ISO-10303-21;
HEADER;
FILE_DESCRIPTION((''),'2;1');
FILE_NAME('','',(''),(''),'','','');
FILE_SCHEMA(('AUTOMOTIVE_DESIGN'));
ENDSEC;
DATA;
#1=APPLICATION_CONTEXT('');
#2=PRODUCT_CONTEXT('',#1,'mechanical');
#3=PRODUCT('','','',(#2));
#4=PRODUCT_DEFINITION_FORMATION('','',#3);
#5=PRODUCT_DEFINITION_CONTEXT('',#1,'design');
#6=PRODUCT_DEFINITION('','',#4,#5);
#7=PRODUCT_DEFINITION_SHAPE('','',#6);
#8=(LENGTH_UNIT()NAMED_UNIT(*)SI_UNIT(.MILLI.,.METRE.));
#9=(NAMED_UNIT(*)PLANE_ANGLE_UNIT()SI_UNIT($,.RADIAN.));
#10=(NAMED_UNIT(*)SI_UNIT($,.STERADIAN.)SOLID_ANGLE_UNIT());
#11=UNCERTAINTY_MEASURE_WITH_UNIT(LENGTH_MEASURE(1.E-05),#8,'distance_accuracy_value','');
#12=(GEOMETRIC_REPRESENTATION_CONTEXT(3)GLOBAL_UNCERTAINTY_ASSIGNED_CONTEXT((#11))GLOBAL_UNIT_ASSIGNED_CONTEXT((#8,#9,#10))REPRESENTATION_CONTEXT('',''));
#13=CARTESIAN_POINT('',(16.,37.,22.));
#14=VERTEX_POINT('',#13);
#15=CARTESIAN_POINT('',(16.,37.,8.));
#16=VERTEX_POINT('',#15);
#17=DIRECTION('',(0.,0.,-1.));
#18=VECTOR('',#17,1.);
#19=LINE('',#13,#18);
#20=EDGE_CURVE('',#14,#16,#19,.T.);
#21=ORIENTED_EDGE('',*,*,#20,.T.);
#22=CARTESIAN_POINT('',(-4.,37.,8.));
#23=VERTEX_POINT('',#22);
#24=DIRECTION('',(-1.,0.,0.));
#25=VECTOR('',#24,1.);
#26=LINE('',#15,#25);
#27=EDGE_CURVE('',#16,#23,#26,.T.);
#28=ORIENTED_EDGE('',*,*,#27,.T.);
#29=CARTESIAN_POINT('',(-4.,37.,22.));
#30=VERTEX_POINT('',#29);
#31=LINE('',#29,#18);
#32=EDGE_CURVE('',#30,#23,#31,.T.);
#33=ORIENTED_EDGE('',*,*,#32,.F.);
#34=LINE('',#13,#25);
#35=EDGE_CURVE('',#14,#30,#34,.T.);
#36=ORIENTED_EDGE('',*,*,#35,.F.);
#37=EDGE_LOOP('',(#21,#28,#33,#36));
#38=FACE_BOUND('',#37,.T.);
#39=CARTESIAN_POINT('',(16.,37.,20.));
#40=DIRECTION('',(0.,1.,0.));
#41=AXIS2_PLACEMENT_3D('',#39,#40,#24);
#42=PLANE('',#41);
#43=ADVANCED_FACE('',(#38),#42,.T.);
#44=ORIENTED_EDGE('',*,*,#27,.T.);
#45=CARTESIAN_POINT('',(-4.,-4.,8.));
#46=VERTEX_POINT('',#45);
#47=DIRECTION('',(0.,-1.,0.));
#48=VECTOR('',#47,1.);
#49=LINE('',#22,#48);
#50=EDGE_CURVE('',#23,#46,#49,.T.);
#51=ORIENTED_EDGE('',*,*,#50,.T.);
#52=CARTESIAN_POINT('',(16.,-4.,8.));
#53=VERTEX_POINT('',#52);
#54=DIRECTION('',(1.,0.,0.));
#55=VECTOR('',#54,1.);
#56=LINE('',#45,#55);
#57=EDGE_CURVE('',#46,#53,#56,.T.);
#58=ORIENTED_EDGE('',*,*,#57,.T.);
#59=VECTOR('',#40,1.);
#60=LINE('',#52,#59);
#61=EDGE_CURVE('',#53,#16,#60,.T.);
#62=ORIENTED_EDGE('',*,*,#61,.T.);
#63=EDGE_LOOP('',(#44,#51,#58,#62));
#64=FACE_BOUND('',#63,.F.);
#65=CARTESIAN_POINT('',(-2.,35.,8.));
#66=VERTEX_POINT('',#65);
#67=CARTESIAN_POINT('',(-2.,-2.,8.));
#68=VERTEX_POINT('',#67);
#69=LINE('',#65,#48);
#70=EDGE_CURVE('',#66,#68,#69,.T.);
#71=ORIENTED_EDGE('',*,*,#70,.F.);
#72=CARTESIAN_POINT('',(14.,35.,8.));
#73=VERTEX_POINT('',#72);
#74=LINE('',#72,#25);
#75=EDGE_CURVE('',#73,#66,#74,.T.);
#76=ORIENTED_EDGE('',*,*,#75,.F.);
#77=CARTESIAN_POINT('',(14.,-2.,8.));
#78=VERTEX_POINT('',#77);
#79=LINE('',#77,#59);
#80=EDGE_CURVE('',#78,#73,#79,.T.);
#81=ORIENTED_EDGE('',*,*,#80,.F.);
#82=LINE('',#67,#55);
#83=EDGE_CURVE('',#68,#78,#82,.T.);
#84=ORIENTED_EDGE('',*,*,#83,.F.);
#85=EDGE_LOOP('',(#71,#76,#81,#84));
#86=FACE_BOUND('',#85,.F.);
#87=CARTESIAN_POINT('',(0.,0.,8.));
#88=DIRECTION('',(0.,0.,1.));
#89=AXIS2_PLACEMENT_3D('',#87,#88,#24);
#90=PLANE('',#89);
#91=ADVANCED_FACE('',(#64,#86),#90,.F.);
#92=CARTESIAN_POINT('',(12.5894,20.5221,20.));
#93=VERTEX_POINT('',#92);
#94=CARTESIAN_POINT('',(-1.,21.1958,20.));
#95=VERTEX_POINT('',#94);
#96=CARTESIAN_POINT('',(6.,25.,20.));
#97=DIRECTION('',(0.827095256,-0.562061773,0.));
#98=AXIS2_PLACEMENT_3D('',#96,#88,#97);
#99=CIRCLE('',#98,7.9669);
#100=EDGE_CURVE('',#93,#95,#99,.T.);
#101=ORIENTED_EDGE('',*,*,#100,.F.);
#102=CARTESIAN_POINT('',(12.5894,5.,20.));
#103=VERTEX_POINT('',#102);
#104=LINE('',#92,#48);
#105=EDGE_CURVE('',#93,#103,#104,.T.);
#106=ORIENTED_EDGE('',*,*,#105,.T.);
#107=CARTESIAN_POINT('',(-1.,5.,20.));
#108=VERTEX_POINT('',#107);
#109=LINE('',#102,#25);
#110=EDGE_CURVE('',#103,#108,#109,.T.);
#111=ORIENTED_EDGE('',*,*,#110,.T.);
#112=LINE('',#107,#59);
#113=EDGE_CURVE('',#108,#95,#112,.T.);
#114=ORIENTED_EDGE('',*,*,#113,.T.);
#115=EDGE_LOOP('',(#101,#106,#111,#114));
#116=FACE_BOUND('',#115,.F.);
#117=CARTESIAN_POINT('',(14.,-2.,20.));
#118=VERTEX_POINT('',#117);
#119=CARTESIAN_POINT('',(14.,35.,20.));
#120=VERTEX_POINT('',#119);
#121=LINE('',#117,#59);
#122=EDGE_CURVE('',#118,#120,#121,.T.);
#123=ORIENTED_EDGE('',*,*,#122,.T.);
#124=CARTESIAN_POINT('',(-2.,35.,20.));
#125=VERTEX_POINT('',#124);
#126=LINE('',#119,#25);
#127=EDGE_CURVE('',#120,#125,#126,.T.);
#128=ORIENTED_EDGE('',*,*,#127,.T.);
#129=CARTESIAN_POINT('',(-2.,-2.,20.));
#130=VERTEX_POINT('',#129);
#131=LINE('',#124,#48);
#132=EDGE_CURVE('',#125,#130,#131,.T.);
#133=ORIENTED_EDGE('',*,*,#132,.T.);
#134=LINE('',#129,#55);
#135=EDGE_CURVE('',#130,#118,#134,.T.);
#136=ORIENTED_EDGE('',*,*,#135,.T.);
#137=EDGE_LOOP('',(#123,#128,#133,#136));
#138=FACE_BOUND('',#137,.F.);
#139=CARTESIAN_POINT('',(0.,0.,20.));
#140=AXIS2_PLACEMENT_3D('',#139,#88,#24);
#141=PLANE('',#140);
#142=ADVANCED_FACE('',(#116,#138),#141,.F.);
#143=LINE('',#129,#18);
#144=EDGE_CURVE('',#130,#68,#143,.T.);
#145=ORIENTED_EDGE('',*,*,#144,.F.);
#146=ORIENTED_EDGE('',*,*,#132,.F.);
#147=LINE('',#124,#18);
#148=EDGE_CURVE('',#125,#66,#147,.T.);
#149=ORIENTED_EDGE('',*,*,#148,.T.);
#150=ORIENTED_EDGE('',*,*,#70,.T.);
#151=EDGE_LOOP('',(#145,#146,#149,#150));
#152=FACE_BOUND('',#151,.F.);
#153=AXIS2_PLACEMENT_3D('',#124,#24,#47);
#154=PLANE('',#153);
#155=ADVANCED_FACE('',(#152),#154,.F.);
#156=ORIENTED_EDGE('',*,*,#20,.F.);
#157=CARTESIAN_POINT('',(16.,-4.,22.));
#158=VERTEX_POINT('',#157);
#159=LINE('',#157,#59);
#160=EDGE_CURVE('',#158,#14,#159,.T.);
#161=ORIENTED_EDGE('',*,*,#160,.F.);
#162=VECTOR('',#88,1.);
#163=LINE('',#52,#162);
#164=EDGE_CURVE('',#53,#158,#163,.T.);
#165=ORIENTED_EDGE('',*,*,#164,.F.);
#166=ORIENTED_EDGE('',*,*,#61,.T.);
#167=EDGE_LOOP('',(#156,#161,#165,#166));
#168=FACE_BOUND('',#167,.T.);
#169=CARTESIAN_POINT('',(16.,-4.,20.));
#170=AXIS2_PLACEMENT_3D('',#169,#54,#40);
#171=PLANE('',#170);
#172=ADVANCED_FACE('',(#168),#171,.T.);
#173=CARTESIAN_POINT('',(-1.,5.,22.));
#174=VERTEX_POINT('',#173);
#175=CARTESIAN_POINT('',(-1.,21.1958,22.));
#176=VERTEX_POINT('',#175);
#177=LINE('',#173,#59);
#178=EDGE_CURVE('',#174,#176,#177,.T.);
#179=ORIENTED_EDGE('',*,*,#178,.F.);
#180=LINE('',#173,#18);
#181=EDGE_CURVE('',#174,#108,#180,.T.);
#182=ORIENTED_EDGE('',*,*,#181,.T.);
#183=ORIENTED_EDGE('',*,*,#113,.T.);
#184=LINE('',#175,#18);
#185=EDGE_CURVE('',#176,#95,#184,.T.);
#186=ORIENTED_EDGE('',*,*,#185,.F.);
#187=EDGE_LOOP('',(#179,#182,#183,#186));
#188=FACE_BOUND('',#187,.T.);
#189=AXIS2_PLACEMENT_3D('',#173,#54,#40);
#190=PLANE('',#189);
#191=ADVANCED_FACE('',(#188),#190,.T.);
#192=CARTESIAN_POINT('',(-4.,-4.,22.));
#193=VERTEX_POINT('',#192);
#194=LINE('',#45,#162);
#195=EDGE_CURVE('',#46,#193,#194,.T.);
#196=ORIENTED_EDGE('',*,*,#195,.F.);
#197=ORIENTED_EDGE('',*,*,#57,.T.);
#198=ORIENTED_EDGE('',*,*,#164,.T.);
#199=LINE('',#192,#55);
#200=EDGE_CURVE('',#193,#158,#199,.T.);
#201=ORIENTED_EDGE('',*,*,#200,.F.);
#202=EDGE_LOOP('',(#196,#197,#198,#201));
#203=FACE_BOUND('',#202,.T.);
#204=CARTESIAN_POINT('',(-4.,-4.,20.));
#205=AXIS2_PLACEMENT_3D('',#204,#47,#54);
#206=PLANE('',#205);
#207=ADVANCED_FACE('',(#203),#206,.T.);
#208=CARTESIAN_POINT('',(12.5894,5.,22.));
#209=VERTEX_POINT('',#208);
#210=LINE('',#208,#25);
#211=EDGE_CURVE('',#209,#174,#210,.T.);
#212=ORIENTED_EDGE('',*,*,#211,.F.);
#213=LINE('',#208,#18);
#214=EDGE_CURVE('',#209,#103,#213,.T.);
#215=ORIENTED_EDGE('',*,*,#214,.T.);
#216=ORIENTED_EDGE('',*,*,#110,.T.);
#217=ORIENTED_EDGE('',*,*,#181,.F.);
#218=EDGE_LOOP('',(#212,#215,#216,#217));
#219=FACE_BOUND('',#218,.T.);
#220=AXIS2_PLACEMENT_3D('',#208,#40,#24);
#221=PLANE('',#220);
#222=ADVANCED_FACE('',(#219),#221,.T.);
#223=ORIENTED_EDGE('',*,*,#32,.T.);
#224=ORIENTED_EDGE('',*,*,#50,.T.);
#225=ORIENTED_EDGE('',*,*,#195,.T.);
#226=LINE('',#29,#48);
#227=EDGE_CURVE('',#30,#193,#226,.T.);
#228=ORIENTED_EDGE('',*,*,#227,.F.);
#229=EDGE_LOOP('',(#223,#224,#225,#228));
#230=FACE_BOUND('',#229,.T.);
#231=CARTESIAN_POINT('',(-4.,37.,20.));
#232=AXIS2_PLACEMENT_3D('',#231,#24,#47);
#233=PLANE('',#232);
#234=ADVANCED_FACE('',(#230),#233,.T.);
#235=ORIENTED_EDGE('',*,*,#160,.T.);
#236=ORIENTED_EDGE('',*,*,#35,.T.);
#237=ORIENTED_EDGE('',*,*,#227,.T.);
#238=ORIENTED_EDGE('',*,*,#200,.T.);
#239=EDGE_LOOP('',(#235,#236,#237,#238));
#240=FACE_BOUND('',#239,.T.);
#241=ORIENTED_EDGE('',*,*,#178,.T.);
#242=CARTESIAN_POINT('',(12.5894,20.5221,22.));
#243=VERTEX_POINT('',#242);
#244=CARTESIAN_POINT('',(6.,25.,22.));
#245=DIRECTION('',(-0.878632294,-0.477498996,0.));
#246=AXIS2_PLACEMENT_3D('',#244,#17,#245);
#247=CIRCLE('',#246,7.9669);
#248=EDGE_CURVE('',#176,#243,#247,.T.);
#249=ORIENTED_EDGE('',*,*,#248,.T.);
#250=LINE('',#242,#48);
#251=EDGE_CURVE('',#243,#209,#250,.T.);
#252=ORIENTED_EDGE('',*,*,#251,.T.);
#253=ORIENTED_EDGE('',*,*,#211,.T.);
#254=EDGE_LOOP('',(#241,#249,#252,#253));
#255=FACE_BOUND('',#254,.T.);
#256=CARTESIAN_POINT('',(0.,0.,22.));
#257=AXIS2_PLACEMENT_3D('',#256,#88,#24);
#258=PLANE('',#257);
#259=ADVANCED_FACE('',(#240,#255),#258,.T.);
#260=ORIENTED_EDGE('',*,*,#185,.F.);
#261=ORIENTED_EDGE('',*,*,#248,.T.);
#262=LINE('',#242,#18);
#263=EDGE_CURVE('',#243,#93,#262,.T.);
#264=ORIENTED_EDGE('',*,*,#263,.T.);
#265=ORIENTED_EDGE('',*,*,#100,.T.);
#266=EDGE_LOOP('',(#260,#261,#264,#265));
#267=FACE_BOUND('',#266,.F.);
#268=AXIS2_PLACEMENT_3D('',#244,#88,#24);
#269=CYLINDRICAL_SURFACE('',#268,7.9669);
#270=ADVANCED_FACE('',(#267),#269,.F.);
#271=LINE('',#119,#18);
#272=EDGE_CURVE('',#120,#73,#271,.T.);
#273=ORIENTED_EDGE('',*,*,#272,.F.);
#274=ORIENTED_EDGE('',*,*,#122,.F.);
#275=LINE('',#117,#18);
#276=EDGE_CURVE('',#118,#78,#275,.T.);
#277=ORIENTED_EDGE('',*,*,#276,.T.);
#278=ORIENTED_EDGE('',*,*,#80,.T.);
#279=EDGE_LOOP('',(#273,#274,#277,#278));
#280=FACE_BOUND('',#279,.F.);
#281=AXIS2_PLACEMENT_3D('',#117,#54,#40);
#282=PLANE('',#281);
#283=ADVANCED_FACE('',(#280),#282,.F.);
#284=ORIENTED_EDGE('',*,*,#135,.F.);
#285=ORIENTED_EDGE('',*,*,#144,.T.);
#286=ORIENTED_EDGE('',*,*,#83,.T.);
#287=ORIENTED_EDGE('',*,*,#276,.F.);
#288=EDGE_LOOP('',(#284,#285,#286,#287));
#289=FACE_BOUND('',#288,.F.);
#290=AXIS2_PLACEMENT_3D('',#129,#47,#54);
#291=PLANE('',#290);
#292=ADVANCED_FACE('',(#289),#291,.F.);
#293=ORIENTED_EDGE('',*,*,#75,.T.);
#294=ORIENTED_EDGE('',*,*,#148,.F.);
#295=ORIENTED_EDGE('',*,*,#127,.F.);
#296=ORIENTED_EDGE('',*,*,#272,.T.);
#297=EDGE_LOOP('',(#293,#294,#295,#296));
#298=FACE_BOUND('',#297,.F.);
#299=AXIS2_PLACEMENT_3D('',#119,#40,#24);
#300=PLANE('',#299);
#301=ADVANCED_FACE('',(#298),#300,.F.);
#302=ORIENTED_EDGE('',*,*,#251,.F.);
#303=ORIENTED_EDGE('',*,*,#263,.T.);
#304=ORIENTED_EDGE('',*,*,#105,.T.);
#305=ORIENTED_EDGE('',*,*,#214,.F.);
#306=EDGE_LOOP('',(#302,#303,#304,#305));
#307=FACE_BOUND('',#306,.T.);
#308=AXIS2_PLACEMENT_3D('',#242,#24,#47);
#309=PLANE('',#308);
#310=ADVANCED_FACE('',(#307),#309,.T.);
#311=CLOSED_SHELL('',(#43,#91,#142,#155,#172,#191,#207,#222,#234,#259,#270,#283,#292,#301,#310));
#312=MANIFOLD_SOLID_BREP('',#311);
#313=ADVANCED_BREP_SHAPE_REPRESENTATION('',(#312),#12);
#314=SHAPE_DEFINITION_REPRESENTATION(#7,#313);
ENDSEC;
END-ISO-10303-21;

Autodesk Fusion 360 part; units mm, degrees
sketch "Sketch1" plane through (0, 0, 0) normal (0, 0, 1) x (1, 0, 0)
  line L0 (0, 0) -> (12, 0)
  line L1 (12, 0) -> (12, 33)
  line L2 (12, 33) -> (0, 33)
  line L3 (0, 33) -> (0, 0)
  line L4 (-2, 35) -> (14, 35)
  line L5 (14, 35) -> (14, -2)
  line L6 (14, -2) -> (-2, -2)
  line L7 (-2, -2) -> (-2, 35)
  dimension "d1" = 33
  dimension "d2" = 12
  dimension "d3" = 2
  dimension "d4" = 2
  dimension "d5" = 2
  dimension "d6" = 2
extrude "Extrude1" add sketch "Sketch1" along normal blind 20 makes body 1
extrude "Extrude2" add sketch "Sketch1" against normal blind 2 contours L0 L1 L2 L3 | L4 L5 L6 L7 bodies 1
sketch "Sketch2" plane through (0, 0, 20) normal (0, 0, 1) x (-1, 0, 0)
  line L0 (0, 0) -> (0, -33)
  line L1 (0, -33) -> (-12, -33)
  line L2 (-12, -33) -> (-12, 0)
  line L3 (-12, 0) -> (0, 0)
  line L4 (2, 2) -> (-14, 2)
  line L5 (-14, 2) -> (-14, -35)
  line L6 (-14, -35) -> (2, -35)
  line L7 (2, -35) -> (2, 2)
  line L8 (4, 4) -> (-16, 4)
  line L9 (-16, 4) -> (-16, -37)
  line L10 (-16, -37) -> (4, -37)
  line L11 (4, -37) -> (4, 4)
  dimension "d11" = 2
extrude "Extrude3" add sketch "Sketch2" against normal blind 12 separate body contours L8 L9 L10 L11 makes body 2
sketch "Sketch3" plane through (0, 0, 20) normal (0, 0, 1) x (-1, 0, 0)
  line L0 (2, 2) -> (2, -35)
  line L1 (2, -35) -> (-14, -35)
  line L2 (-14, -35) -> (-14, 2)
  line L3 (-14, 2) -> (2, 2)
  line L4 (4, -37) -> (4, 4)
  line L5 (4, 4) -> (-16, 4)
  line L6 (-16, 4) -> (-16, -37)
  line L7 (-16, -37) -> (4, -37)
extrude "Extrude5" add sketch "Sketch3" along normal blind 2 contours L0 L1 L2 L3 | L4 L5 L6 L7 bodies 2
sketch "Sketch4" plane through (0, 0, 22) normal (0, 0, 1) x (-1, 0, 0)
  line L0 (-16, -37) -> (4, -37)
  line L1 (4, -37) -> (4, 4)
  line L2 (4, 4) -> (-16, 4)
  line L3 (-16, 4) -> (-16, -37)
  circle A0 centre (-6, -25) radius 7.9669
  line L4 (-12.5894, -20.5221) -> (-12.5894, -5)
  line L5 (-12.5894, -5) -> (1, -5)
  line L6 (1, -5) -> (1, -21.1958)
  dimension "d20" = 15.9338
extrude "Extrude6" cut sketch "Sketch4" against normal blind 2 contours A0 | A0 L4 L5 L6 bodies 2
hidden bodies 1
